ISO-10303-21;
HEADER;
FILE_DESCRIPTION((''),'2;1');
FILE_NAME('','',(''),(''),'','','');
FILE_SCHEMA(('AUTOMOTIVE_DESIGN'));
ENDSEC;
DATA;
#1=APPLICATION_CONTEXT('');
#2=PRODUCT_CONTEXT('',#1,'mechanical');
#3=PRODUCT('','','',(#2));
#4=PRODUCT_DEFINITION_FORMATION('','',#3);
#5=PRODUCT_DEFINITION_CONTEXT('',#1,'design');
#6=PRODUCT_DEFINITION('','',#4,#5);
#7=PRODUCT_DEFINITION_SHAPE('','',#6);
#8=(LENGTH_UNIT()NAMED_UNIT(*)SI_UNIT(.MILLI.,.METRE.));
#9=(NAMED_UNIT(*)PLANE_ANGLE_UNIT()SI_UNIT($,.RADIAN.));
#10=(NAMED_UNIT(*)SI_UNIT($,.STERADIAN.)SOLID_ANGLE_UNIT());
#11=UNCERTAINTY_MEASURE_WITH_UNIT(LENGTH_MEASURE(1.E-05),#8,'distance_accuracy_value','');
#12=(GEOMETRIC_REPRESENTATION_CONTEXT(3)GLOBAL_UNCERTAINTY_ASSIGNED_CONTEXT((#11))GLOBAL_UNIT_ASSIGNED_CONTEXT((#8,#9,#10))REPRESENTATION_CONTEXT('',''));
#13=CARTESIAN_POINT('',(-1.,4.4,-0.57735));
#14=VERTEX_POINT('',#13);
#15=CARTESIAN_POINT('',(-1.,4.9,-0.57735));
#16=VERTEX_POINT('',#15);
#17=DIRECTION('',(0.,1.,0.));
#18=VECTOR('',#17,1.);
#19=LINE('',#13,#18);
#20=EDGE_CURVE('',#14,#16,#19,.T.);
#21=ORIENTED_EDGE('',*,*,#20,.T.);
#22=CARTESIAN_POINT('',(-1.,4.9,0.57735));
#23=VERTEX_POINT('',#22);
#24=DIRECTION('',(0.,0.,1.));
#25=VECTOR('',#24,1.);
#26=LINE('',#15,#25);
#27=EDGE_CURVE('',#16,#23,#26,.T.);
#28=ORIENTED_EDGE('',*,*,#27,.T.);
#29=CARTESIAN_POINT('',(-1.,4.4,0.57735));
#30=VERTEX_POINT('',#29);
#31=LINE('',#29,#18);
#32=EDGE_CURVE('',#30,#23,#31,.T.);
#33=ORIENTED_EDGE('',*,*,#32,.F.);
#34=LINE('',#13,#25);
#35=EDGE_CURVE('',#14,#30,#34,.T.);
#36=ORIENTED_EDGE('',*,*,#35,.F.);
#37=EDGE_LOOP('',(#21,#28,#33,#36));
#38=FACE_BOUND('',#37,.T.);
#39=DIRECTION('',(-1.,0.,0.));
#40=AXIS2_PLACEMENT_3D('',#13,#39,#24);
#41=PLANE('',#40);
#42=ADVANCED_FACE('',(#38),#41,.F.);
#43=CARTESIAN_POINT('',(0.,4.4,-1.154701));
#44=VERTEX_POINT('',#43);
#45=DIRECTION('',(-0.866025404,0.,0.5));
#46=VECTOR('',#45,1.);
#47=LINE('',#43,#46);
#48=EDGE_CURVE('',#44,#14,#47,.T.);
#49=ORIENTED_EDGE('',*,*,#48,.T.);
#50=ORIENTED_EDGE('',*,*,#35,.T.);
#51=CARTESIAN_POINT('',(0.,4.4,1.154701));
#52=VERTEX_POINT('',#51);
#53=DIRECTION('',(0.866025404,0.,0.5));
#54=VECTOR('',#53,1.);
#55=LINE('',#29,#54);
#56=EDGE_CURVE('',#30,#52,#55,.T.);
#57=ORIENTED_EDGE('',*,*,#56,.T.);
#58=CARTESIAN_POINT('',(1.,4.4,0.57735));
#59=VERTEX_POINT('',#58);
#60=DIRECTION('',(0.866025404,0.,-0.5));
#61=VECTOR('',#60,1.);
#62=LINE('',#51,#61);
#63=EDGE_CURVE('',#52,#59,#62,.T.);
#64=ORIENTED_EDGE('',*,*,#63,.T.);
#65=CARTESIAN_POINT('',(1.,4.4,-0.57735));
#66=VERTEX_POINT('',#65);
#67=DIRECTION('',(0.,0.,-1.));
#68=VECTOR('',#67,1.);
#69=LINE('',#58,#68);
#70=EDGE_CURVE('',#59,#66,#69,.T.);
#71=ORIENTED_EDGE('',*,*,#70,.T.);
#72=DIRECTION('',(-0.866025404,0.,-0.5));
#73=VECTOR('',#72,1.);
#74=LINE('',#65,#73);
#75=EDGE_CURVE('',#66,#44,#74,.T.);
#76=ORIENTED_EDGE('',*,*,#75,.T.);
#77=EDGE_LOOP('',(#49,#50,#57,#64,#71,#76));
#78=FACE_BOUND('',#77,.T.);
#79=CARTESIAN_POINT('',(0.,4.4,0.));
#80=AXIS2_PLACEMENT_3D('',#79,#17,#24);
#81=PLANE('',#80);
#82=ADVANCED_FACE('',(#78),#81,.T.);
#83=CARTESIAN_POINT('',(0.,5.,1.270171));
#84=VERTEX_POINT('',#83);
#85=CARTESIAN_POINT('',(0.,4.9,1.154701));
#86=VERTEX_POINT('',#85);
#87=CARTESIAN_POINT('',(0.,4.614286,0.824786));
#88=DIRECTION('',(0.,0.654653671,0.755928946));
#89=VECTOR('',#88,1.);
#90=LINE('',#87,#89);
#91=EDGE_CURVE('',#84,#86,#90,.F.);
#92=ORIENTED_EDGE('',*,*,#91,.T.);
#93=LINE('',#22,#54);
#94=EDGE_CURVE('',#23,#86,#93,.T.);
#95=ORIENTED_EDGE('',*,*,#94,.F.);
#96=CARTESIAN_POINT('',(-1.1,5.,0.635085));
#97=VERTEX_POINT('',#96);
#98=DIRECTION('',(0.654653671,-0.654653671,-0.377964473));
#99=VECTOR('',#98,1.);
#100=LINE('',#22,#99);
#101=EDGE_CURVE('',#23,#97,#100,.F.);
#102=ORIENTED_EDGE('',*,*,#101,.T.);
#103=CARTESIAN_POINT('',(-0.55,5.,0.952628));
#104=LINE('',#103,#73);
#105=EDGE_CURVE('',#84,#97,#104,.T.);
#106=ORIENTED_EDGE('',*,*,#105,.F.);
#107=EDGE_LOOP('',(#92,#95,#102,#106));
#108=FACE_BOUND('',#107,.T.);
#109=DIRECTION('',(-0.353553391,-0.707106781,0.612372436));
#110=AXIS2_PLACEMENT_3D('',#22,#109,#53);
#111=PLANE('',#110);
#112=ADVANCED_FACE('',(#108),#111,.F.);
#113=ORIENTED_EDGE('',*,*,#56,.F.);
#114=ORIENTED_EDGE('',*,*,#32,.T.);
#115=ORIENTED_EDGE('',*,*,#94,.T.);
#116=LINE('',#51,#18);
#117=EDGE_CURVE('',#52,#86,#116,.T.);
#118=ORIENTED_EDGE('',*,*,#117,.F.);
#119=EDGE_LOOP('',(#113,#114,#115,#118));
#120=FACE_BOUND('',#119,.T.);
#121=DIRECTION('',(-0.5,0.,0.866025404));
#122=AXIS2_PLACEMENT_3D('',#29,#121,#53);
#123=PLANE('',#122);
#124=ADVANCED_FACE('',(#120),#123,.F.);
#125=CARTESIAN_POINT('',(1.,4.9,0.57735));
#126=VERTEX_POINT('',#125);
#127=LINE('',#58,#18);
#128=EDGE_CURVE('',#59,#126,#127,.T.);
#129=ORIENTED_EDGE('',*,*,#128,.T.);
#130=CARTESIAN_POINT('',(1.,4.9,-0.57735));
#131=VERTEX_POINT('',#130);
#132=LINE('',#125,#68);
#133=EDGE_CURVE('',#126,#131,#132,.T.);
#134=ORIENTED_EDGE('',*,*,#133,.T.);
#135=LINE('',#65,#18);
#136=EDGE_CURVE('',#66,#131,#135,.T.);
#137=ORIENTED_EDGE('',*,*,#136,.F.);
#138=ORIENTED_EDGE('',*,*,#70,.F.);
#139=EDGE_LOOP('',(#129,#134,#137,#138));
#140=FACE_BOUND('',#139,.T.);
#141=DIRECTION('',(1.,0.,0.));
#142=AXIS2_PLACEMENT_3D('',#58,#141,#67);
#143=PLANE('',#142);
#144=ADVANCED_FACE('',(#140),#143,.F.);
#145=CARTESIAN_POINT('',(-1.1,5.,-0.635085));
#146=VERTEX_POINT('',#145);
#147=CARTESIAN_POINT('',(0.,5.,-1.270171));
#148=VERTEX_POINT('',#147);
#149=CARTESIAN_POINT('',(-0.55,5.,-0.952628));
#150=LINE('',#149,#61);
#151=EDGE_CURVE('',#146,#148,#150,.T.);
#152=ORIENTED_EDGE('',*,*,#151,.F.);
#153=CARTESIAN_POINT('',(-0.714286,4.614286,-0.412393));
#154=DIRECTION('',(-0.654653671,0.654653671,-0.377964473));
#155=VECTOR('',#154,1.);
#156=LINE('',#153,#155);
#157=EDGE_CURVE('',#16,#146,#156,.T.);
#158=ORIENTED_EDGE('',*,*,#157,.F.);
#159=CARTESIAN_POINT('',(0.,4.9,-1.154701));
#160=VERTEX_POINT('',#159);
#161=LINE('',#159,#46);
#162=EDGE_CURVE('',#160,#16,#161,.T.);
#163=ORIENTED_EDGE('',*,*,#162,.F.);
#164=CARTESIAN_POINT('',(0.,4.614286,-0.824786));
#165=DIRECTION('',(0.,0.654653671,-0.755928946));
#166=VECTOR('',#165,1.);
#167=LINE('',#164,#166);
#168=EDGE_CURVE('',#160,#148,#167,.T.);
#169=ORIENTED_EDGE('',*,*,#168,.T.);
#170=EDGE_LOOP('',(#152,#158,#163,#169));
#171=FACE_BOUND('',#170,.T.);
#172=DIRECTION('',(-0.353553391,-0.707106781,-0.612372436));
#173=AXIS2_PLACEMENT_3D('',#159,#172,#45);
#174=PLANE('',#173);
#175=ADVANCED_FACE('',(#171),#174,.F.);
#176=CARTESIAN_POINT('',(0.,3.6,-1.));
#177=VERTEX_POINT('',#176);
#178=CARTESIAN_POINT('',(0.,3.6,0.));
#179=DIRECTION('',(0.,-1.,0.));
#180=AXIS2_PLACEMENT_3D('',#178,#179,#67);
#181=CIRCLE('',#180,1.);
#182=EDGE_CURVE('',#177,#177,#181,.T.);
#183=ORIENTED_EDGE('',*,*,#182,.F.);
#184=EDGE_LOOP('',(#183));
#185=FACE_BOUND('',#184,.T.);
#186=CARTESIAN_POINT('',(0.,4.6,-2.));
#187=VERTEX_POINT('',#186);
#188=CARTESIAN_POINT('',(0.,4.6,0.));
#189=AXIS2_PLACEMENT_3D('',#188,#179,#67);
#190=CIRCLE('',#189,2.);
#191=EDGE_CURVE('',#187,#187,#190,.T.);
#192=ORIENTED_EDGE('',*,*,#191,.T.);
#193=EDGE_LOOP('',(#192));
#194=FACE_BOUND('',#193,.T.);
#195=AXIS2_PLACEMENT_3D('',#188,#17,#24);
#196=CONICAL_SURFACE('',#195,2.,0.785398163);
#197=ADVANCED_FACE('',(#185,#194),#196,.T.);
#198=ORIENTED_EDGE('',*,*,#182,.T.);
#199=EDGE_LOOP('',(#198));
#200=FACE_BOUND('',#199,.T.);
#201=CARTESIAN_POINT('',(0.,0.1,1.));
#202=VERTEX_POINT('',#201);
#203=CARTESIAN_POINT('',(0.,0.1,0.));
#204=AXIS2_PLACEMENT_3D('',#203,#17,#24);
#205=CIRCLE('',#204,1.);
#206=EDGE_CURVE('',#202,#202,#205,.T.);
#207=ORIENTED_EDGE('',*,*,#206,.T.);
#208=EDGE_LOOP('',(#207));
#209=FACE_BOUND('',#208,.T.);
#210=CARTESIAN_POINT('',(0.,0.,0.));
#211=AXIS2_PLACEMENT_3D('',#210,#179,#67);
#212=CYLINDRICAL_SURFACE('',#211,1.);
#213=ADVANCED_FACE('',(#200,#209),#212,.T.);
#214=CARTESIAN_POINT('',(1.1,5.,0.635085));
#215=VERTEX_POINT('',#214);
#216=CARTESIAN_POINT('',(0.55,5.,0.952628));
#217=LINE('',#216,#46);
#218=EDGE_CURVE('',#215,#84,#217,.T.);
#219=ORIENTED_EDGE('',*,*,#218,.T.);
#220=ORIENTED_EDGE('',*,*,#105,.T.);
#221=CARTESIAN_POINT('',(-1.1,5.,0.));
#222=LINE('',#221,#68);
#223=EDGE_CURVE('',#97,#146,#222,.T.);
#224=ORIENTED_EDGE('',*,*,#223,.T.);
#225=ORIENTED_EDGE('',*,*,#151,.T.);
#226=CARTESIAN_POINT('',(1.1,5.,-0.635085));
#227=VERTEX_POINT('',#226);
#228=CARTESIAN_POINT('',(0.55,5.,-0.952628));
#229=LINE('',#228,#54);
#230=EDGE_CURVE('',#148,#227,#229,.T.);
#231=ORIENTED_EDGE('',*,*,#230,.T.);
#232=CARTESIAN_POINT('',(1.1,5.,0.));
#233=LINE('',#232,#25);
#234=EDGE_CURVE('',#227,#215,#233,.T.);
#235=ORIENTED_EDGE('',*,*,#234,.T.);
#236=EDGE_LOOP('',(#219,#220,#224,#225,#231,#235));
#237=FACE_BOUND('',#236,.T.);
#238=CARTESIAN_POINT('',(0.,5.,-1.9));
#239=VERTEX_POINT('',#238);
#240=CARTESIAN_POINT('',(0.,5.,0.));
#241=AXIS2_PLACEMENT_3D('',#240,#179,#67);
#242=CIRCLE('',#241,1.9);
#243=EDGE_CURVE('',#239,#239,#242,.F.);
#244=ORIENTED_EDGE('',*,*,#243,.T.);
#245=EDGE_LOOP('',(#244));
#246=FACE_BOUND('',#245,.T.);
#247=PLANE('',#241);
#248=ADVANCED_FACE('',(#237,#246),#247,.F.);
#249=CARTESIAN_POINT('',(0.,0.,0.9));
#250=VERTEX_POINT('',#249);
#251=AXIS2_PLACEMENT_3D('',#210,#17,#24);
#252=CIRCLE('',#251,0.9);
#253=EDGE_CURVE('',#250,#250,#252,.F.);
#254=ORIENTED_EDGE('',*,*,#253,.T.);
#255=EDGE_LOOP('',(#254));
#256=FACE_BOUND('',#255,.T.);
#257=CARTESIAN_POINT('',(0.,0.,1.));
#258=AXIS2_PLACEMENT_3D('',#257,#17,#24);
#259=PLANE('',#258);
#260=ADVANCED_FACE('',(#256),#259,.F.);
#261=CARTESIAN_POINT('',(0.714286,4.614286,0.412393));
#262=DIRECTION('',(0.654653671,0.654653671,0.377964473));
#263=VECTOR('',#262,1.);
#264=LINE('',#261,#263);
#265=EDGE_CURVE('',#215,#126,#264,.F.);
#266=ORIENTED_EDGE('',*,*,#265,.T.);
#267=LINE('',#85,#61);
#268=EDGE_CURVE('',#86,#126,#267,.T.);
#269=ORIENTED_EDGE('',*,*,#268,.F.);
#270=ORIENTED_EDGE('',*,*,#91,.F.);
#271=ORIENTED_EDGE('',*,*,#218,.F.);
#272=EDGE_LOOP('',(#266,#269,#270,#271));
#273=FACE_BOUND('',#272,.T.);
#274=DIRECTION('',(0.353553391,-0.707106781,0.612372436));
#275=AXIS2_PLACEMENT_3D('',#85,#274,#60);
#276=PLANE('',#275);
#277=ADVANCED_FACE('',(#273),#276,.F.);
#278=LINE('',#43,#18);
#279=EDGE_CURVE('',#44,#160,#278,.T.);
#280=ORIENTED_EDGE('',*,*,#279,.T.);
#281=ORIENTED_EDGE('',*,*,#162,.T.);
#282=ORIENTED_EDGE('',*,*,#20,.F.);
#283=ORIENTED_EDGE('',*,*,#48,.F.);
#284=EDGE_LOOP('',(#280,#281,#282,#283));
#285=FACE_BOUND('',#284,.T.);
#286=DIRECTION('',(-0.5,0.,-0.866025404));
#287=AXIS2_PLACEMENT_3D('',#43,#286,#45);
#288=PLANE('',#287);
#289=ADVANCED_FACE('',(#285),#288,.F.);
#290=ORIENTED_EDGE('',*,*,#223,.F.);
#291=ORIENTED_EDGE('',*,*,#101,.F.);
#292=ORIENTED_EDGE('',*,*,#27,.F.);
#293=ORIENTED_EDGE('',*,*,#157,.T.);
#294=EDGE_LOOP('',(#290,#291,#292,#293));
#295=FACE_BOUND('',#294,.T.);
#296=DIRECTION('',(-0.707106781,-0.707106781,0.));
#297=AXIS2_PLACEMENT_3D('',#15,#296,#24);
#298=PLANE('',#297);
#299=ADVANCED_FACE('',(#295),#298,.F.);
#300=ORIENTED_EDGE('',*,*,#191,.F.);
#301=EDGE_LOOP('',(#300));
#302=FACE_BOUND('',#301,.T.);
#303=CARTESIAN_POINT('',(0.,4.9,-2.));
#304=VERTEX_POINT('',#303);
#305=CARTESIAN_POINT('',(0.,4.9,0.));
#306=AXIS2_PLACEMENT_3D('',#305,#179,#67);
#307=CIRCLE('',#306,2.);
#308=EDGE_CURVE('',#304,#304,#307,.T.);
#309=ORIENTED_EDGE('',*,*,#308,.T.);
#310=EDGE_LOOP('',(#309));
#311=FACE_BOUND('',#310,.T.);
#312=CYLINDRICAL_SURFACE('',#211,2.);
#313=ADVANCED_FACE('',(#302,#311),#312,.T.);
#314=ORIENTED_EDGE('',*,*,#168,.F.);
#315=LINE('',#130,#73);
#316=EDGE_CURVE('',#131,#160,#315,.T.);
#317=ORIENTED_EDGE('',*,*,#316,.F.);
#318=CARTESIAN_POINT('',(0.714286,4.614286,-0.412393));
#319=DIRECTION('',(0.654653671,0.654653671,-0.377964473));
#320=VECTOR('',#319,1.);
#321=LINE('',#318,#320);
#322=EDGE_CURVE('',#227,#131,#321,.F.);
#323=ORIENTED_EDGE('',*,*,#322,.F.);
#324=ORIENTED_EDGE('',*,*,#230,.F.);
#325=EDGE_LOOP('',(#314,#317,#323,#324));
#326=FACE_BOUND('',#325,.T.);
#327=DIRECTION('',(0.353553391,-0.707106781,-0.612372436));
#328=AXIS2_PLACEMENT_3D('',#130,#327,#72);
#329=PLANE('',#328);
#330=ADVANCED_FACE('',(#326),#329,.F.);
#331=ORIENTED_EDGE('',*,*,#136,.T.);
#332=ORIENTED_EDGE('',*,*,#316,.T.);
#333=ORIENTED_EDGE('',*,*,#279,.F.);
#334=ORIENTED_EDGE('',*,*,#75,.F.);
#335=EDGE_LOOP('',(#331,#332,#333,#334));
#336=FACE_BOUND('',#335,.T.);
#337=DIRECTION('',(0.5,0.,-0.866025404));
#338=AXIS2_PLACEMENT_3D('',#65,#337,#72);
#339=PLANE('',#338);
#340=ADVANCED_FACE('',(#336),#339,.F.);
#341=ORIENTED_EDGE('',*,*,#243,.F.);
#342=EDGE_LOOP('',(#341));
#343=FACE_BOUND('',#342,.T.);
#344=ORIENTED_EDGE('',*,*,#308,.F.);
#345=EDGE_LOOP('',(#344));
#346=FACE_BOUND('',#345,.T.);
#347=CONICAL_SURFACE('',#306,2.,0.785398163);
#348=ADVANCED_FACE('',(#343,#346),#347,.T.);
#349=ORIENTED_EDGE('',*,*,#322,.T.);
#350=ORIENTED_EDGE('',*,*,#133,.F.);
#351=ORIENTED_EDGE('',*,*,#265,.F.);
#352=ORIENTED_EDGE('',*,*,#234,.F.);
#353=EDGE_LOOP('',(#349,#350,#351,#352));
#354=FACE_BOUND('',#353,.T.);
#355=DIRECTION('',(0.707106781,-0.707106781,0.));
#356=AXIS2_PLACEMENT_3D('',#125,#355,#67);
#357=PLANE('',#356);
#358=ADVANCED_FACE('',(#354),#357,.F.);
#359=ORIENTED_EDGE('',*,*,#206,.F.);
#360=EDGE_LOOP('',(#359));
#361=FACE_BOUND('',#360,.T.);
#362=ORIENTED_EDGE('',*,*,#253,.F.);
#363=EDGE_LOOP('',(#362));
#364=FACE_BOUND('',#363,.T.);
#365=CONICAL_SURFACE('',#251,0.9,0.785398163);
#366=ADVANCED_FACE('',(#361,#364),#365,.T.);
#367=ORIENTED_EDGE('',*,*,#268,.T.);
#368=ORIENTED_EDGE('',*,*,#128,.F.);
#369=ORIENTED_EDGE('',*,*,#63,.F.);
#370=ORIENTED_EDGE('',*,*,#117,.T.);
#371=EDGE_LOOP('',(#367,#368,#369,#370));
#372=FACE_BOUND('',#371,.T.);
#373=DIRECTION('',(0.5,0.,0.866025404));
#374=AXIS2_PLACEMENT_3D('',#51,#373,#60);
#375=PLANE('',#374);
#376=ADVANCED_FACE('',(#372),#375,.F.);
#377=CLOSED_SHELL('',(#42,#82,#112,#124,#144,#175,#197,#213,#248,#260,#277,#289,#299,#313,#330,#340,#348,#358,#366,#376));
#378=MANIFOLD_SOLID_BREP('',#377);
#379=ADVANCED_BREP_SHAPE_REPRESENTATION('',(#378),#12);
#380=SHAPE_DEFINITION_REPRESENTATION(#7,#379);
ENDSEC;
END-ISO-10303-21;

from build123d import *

# Parameters (mm, degrees)
CUT_EXTRUDE1_DEPTH = 0.6
CHAMFER1_SIZE      = 0.1
CHAMFER2_SIZE      = 0.1


with BuildPart() as part:
    # Sketch1 → Revolve1 (revolve)
    with BuildSketch(Plane(origin=(0, 0, 0), x_dir=(0, 0, -1), z_dir=(1, 0, 0)), mode=Mode.PRIVATE) as revolve1_sk:
        Polygon((0, 5), (-2, 5), (-2, 4.6), (-1, 3.6), (-1, 0), (0, 0), align=None)
    revolve(revolve1_sk.sketch.rotate(Axis((0, 0, 0), (0, 1, 0)), 180), axis=Axis((0, 0, 0), (0, 1, 0)))

    # Sketch2 → Cut-Extrude1 (cut)
    with BuildSketch(Plane(origin=(0, 5, 0), x_dir=(1, 0, 0), z_dir=(0, 1, 0))):
        Polygon((0, -1.154700538), (1, -0.577350269), (1, 0.577350269), (0, 1.154700538), (-1, 0.577350269), (-1, -0.577350269), align=None)
    extrude(amount=-CUT_EXTRUDE1_DEPTH, mode=Mode.SUBTRACT)

    # Chamfer1
    chamfer1_edges = [part.edges().sort_by_distance(p)[0] for p in [
        (0, 0, 1),
    ]]
    chamfer(chamfer1_edges, length=CHAMFER1_SIZE)

    # Chamfer2
    chamfer2_edges = [part.edges().sort_by_distance(p)[0] for p in [
        (-0.5, 5, 0.866025404),
        (0.5, 5, 0.866025404),
        (1, 5, 0),
        (0.5, 5, -0.866025404),
        (-0.5, 5, -0.866025404),
        (-1, 5, 0),
        (0, 5, 2),
    ]]
    chamfer(chamfer2_edges, length=CHAMFER2_SIZE)


solid = part.part
